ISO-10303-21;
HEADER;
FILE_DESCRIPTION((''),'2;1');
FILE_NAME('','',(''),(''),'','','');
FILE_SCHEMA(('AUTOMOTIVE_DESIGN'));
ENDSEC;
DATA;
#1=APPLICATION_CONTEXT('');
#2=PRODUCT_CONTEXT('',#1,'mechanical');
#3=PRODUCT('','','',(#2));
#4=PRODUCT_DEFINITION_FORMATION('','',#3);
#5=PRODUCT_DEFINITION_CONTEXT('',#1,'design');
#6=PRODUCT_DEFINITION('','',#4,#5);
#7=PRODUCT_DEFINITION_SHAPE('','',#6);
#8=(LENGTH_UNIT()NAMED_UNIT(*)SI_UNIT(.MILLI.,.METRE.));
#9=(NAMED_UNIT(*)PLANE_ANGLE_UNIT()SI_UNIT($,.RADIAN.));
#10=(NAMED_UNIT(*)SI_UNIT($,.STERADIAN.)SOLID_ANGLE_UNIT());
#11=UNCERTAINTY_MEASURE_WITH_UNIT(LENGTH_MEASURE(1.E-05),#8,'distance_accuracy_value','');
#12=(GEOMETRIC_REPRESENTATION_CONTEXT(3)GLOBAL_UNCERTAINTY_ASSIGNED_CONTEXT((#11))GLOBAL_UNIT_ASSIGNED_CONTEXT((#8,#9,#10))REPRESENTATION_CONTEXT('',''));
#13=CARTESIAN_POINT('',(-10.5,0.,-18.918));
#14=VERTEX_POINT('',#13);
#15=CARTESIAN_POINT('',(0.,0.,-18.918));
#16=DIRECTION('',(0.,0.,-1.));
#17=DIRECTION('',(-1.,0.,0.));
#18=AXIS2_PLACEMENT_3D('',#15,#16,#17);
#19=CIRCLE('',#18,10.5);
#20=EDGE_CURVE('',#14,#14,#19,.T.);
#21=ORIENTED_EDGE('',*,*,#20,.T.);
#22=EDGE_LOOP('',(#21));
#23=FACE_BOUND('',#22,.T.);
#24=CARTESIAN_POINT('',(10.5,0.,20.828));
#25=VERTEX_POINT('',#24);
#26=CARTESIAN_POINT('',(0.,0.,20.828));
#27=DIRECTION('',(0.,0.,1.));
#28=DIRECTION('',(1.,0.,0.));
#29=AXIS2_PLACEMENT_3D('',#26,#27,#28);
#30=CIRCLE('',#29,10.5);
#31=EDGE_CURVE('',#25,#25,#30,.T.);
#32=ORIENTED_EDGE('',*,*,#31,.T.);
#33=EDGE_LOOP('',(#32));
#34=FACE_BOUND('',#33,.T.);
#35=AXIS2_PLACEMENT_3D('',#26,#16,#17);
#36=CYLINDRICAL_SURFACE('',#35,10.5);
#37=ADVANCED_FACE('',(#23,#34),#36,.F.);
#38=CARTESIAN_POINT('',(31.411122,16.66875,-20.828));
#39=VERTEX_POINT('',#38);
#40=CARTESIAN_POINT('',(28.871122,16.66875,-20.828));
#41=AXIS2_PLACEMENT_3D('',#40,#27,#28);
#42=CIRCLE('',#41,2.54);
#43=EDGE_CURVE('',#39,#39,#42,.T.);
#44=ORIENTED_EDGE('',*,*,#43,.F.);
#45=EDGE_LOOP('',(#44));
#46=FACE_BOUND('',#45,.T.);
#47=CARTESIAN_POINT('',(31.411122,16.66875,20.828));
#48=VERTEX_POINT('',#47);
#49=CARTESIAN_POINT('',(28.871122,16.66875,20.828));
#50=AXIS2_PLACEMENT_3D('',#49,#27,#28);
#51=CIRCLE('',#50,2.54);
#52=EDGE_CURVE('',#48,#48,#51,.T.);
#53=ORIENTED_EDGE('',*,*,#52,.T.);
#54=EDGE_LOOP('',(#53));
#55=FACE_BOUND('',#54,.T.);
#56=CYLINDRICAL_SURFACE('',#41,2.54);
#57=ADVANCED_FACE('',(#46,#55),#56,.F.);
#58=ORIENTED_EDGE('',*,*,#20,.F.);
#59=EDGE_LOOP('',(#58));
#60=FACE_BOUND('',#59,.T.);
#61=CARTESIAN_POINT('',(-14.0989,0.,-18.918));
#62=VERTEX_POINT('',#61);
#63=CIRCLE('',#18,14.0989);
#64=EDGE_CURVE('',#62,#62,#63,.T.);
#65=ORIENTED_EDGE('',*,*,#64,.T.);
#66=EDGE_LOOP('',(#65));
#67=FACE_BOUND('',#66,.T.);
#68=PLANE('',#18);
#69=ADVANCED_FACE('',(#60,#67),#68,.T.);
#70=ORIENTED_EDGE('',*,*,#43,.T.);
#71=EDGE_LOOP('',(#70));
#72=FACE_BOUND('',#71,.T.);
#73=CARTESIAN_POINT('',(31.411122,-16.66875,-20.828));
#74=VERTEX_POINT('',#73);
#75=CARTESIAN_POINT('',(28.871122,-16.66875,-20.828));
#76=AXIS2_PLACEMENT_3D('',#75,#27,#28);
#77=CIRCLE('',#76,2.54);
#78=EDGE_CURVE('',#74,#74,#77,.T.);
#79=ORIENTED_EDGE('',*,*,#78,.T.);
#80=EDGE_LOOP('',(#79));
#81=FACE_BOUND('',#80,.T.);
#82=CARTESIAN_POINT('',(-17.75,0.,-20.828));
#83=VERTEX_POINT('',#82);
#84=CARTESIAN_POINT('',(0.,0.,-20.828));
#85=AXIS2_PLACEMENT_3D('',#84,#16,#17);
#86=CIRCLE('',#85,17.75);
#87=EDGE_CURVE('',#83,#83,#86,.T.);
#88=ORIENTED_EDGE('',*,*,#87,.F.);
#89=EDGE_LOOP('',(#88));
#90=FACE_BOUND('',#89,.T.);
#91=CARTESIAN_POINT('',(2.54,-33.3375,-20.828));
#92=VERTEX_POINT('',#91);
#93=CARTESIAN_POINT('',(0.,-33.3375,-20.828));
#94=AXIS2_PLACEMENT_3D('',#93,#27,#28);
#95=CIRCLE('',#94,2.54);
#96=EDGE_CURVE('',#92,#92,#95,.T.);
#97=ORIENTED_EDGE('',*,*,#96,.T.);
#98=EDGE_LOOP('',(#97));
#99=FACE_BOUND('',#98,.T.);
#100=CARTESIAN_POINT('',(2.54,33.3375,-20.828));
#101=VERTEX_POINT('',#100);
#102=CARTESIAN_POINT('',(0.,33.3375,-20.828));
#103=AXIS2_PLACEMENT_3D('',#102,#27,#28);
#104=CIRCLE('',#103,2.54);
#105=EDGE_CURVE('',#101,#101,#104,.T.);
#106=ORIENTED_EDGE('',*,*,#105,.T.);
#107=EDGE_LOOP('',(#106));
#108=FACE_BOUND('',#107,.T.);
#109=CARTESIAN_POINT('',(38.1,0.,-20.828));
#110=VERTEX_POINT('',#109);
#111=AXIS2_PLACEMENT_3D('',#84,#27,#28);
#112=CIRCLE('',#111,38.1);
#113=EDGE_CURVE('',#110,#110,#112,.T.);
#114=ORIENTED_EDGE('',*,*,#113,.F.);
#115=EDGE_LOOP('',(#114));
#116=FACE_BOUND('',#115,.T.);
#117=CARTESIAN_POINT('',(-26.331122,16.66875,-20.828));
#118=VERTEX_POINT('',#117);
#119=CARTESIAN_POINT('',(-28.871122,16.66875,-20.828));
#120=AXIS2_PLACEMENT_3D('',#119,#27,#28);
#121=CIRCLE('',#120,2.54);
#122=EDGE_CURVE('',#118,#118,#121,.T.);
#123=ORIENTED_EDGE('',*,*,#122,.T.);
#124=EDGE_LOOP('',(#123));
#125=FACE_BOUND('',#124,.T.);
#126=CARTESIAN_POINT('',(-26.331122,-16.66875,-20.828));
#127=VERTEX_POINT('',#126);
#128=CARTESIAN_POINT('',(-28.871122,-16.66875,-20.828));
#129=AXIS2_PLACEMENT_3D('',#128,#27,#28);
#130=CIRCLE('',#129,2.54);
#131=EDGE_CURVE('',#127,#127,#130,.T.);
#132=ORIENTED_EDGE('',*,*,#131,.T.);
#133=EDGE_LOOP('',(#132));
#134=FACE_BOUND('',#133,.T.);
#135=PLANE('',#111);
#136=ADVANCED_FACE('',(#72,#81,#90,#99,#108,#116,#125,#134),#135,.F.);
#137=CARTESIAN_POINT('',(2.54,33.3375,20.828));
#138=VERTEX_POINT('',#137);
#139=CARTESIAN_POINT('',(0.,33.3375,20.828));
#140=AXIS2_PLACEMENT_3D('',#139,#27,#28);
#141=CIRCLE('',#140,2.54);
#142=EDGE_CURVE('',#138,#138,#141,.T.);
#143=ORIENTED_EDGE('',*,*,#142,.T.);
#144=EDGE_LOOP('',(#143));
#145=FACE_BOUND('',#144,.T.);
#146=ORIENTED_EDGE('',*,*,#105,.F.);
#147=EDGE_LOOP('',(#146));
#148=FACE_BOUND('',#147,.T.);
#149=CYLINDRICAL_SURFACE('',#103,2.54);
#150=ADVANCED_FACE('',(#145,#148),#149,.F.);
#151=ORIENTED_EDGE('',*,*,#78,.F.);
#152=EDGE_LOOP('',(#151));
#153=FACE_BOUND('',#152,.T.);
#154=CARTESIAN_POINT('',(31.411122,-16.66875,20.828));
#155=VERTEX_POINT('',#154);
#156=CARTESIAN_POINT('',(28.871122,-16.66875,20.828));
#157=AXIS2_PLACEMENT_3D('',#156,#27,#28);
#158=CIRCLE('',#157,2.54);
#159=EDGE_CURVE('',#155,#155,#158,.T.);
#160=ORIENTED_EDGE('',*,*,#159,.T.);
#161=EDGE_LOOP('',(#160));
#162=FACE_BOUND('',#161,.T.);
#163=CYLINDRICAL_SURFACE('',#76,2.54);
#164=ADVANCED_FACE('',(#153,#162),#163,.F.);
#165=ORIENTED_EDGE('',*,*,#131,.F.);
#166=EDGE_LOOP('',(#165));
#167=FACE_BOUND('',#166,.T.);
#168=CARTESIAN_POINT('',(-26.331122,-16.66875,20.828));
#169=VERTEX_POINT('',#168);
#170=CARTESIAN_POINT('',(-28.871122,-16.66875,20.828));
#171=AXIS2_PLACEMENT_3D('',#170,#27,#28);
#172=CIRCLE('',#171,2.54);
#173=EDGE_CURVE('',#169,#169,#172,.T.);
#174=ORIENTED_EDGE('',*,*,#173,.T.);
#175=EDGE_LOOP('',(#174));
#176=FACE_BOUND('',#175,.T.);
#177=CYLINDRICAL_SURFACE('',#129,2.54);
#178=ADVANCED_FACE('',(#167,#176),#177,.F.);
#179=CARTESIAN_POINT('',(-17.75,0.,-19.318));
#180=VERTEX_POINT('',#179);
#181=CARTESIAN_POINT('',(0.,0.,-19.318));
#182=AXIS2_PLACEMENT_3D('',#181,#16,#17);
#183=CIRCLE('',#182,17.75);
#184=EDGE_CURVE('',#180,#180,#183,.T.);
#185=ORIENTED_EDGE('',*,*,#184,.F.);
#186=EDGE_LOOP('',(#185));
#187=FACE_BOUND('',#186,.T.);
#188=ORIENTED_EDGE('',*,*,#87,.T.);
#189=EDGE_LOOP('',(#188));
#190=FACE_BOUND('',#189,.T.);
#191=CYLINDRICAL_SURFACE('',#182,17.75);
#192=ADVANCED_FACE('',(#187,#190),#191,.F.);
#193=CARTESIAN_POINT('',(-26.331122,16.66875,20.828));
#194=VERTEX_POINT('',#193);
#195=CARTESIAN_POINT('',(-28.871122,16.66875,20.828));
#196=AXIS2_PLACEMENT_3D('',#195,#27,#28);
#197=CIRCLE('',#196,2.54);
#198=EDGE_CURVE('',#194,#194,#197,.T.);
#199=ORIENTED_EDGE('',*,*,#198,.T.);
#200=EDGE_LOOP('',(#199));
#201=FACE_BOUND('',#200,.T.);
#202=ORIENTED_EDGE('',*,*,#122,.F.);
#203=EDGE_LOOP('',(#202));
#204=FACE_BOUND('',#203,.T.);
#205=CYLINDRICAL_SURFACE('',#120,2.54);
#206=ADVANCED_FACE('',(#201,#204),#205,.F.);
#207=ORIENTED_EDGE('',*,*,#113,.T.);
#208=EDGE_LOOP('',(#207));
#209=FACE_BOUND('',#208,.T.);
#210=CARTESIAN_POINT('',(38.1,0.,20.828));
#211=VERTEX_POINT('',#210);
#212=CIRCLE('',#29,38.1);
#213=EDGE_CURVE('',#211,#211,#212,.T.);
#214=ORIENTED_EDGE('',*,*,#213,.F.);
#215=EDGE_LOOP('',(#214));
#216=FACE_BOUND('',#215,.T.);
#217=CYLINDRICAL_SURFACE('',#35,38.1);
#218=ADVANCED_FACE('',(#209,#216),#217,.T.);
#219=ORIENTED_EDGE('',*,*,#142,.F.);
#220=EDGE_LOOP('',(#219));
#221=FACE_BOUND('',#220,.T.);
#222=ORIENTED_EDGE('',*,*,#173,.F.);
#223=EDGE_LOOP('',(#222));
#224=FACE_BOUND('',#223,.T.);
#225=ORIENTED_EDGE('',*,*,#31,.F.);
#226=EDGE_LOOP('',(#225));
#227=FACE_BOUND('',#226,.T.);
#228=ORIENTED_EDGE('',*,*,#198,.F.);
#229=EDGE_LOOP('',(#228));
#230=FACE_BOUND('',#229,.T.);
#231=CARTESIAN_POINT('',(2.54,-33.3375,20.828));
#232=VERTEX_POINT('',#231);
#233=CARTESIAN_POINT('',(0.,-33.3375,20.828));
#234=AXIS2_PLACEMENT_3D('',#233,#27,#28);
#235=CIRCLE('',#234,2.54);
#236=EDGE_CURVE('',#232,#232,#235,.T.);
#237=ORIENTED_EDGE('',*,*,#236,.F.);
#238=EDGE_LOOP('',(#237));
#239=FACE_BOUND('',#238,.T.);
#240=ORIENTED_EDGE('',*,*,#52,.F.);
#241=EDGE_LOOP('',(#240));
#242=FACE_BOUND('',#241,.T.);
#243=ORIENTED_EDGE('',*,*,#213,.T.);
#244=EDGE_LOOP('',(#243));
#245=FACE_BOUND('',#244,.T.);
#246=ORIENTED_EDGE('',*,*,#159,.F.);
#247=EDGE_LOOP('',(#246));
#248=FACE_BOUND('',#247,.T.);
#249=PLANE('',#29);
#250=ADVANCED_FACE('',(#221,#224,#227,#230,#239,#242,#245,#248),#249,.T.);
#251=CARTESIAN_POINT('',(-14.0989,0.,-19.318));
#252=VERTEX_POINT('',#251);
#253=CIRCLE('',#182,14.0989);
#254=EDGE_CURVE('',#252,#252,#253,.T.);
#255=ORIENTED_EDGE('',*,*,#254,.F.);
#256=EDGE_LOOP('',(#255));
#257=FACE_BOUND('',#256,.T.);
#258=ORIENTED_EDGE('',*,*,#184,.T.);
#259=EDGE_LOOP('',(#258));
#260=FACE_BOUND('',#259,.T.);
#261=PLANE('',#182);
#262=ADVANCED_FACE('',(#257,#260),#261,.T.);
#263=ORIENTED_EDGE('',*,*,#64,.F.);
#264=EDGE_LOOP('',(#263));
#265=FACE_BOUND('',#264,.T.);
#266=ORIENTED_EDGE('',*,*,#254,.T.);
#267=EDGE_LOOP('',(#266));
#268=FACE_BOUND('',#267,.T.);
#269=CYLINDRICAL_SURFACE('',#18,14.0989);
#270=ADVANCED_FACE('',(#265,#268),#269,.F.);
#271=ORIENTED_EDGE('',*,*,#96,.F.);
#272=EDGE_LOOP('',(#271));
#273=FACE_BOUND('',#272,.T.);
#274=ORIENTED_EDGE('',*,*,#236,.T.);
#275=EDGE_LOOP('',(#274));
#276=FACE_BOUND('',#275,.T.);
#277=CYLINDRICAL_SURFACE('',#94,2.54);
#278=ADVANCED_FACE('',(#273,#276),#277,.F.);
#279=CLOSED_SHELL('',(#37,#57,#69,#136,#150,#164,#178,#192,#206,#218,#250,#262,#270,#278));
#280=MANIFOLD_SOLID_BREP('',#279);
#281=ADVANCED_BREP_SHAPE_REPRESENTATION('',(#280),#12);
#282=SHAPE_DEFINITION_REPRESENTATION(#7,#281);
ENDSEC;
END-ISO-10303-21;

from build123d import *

# Parameters (mm, degrees)
SKETCH1_R           = 38.1
SKETCH1_R_2         = 10.5
BOSS_EXTRUDE1_DEPTH = 20.828
SKETCH6_R           = 17.75000006
CUT_EXTRUDE2_DEPTH  = 1.510000028
SKETCH8_R           = 2.54
CUT_EXTRUDE3_DEPTH  = 42.656
SKETCH9_R           = 14.09889992
CUT_EXTRUDE4_DEPTH  = 0.4


with BuildPart() as part:
    # Sketch1 → Boss-Extrude1 (new body, symmetric)
    with BuildSketch(Plane.XY):
        Circle(SKETCH1_R)
        Circle(SKETCH1_R_2, mode=Mode.SUBTRACT)
    extrude(amount=BOSS_EXTRUDE1_DEPTH, both=True)

    # Sketch6 → Cut-Extrude2 (cut)
    with BuildSketch(Plane(origin=(0, 0, -20.828), x_dir=(-1, 0, 0), z_dir=(0, 0, -1))):
        Circle(SKETCH6_R)
    extrude(amount=-CUT_EXTRUDE2_DEPTH, mode=Mode.SUBTRACT)

    # Sketch8 → Cut-Extrude3 (cut, through all)
    with BuildSketch(Plane.XY.offset(20.828)):
        with Locations((0, 33.3375)):
            Circle(SKETCH8_R)
        with Locations((28.871121899, 16.66875)):
            Circle(SKETCH8_R)
        with Locations((28.871121899, -16.66875)):
            Circle(SKETCH8_R)
        with Locations((0, -33.3375)):
            Circle(SKETCH8_R)
        with Locations((-28.871121899, -16.66875)):
            Circle(SKETCH8_R)
        with Locations((-28.871121899, 16.66875)):
            Circle(SKETCH8_R)
    extrude(amount=-CUT_EXTRUDE3_DEPTH, mode=Mode.SUBTRACT)

    # Sketch9 → Cut-Extrude4 (cut)
    with BuildSketch(Plane(origin=(0, 0, -19.317999972), x_dir=(-1, 0, 0), z_dir=(0, 0, -1))):
        Circle(SKETCH9_R)
    extrude(amount=-CUT_EXTRUDE4_DEPTH, mode=Mode.SUBTRACT)


solid = part.part
